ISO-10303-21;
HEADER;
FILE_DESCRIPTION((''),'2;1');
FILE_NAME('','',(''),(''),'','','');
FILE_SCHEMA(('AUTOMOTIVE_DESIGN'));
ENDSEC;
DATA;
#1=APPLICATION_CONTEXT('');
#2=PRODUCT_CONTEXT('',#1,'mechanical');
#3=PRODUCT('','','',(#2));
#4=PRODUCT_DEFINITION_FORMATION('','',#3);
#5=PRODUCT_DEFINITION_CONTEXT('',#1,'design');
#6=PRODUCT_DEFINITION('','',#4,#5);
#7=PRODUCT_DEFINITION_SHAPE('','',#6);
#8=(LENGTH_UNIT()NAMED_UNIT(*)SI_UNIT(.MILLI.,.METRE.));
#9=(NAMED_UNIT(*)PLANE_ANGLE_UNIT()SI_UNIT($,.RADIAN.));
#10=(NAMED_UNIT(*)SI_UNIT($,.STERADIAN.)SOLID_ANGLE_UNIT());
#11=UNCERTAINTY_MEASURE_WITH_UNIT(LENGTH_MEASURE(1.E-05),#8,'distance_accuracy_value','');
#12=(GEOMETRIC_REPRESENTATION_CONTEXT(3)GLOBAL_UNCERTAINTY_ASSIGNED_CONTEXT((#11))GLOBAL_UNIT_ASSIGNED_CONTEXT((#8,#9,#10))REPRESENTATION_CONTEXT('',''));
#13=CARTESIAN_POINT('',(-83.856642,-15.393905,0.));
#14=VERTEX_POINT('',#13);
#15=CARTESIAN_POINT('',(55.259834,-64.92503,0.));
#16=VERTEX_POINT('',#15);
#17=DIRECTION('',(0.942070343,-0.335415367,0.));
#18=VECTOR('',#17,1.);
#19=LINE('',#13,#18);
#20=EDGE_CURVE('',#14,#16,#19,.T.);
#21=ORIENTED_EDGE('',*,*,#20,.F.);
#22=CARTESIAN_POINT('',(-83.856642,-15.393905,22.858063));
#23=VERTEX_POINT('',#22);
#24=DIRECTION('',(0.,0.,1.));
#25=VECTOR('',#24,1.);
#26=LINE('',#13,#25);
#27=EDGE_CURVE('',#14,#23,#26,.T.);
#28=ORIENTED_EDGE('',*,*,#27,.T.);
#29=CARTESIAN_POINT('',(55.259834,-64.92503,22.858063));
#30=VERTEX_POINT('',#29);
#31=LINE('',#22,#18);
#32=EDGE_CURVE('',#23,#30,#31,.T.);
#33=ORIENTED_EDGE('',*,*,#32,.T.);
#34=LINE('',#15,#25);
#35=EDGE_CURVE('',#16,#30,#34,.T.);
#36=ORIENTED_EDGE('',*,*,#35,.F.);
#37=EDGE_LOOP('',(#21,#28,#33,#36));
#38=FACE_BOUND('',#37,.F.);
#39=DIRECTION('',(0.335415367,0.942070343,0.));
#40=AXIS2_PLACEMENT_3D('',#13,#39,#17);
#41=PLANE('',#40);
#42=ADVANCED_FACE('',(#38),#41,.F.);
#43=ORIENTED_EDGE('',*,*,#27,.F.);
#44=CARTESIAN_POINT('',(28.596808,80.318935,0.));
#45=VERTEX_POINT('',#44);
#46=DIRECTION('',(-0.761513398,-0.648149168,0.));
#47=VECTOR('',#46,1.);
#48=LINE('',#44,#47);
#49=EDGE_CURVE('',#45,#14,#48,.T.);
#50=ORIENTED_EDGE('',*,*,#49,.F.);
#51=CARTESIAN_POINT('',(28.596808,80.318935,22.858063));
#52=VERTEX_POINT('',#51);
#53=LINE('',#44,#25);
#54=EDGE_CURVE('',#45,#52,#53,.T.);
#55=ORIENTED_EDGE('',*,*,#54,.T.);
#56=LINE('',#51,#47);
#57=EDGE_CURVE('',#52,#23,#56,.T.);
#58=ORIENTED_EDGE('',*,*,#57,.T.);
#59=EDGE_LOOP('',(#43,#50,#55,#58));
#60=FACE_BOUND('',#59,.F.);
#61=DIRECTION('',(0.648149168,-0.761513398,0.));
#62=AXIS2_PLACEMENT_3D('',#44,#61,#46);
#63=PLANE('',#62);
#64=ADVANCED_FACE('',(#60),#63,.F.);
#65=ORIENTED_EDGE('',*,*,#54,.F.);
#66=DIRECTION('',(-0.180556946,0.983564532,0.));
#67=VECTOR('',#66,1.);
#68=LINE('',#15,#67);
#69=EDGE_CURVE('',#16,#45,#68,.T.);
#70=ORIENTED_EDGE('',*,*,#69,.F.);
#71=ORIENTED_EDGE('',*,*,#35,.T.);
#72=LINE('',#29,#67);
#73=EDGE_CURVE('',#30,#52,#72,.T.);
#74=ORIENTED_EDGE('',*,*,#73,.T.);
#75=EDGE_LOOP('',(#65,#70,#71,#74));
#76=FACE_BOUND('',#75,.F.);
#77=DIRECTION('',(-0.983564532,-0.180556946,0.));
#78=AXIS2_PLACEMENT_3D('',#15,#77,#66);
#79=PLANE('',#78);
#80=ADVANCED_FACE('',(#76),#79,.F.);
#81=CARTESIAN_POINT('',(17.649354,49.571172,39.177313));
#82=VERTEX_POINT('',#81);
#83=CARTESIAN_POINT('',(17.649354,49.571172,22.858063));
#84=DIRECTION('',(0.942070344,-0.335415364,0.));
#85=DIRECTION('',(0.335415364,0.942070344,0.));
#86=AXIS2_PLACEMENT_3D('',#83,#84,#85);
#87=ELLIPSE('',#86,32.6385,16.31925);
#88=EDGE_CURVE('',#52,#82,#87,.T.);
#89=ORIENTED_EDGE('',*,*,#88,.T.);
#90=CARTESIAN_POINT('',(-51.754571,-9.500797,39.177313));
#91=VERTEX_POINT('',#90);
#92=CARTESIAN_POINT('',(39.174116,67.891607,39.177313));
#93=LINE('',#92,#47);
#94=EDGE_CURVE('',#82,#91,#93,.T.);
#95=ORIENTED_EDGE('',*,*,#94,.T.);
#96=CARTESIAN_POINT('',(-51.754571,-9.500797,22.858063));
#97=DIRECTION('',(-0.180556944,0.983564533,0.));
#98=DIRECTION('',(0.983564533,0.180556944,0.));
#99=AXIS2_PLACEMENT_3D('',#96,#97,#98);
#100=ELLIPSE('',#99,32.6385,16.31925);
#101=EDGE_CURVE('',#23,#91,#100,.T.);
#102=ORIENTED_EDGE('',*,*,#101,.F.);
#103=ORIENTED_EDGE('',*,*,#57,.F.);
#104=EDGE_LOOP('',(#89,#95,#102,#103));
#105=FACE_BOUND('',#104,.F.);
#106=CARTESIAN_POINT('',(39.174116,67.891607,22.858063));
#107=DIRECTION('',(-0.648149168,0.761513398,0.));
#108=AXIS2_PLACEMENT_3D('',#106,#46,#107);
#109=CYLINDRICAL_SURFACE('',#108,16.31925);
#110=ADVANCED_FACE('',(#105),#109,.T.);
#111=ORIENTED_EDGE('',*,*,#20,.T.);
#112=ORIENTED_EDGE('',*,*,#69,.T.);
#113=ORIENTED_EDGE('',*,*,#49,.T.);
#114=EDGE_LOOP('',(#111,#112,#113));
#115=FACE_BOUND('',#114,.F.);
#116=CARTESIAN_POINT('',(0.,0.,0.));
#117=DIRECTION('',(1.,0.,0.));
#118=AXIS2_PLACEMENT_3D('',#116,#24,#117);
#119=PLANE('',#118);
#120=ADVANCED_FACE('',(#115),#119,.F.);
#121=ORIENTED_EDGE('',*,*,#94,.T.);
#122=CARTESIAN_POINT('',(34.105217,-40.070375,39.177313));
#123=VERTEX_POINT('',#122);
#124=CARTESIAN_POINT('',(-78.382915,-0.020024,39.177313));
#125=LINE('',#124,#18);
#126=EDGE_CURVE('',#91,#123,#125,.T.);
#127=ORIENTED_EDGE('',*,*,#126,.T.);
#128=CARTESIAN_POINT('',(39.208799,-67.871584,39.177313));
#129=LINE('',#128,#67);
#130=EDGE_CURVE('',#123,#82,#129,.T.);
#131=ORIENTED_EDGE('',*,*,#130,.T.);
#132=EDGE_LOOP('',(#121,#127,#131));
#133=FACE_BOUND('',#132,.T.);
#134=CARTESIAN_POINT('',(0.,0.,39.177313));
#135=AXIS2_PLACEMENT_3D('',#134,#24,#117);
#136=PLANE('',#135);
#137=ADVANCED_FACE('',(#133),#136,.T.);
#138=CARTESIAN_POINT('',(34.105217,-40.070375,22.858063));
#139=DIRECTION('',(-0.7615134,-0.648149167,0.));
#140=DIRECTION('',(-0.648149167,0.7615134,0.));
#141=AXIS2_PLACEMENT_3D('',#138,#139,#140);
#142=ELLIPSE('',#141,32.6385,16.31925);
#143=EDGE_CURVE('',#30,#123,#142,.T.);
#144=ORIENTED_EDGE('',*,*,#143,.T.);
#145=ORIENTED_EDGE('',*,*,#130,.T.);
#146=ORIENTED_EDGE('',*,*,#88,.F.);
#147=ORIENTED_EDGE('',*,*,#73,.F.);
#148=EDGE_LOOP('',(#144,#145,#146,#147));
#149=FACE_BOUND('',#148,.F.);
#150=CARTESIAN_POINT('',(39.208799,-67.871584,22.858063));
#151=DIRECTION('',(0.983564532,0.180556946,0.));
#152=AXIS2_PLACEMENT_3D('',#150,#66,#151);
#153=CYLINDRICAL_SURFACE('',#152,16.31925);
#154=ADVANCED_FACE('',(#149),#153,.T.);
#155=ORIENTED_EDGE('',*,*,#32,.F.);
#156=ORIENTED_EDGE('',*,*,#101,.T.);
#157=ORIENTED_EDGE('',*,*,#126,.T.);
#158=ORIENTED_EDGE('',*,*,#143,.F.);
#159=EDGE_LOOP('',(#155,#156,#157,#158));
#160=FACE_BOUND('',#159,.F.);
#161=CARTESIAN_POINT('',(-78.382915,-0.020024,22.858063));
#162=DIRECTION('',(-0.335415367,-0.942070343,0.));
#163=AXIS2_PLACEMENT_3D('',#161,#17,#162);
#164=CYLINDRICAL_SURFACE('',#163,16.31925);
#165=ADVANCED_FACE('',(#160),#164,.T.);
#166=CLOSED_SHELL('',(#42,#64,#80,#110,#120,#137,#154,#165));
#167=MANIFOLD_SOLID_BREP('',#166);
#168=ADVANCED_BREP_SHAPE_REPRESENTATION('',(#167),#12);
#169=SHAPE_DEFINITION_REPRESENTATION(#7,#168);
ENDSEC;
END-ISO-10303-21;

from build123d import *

# Parameters (mm, degrees)
F1_DEPTH = 39.177313
F2_R     = 16.31925
F3_R     = 30.097367
F4_DEPTH = 30.095011
F6_DEPTH = 26.99797


with BuildPart() as f1:
    # F0 (on Top) → F1 (new body)
    with BuildSketch(Plane.XY):
        Polygon((55.259834, -64.92503), (28.596808, 80.318935), (-83.856642, -15.393905), align=None)
    extrude(amount=F1_DEPTH)

    # F2
    f2_edges = [f1.edges().sort_by_distance(p)[0] for p in [
        (41.928321, 7.696953, 39.177313),
        (-14.298404, -40.159468, 39.177313),
        (-27.629917, 32.462515, 39.177313),
    ]]
    fillet(f2_edges, radius=F2_R)

    # F3 (on face) → F4 (join)
    with BuildSketch(Plane(origin=(0, 0, 0), x_dir=(1, 0, 0), z_dir=(0, 0, -1))):
        Circle(F3_R)
    extrude(amount=-F4_DEPTH)

    # F5 (on Top) → F6 (join)
    with BuildSketch(Plane.XY):
        Polygon((16.23941, -30.575463), (32.093639, -12.983671), (32.930897, 10.683324), (18.359422, 29.351473), (-4.80263, 34.285742), (-25.717478, 23.177331), (-34.598832, 1.223989), (-27.291009, -21.302071), (-7.213418, -33.860655), align=None)
    extrude(amount=F6_DEPTH)


solid = f1.part
